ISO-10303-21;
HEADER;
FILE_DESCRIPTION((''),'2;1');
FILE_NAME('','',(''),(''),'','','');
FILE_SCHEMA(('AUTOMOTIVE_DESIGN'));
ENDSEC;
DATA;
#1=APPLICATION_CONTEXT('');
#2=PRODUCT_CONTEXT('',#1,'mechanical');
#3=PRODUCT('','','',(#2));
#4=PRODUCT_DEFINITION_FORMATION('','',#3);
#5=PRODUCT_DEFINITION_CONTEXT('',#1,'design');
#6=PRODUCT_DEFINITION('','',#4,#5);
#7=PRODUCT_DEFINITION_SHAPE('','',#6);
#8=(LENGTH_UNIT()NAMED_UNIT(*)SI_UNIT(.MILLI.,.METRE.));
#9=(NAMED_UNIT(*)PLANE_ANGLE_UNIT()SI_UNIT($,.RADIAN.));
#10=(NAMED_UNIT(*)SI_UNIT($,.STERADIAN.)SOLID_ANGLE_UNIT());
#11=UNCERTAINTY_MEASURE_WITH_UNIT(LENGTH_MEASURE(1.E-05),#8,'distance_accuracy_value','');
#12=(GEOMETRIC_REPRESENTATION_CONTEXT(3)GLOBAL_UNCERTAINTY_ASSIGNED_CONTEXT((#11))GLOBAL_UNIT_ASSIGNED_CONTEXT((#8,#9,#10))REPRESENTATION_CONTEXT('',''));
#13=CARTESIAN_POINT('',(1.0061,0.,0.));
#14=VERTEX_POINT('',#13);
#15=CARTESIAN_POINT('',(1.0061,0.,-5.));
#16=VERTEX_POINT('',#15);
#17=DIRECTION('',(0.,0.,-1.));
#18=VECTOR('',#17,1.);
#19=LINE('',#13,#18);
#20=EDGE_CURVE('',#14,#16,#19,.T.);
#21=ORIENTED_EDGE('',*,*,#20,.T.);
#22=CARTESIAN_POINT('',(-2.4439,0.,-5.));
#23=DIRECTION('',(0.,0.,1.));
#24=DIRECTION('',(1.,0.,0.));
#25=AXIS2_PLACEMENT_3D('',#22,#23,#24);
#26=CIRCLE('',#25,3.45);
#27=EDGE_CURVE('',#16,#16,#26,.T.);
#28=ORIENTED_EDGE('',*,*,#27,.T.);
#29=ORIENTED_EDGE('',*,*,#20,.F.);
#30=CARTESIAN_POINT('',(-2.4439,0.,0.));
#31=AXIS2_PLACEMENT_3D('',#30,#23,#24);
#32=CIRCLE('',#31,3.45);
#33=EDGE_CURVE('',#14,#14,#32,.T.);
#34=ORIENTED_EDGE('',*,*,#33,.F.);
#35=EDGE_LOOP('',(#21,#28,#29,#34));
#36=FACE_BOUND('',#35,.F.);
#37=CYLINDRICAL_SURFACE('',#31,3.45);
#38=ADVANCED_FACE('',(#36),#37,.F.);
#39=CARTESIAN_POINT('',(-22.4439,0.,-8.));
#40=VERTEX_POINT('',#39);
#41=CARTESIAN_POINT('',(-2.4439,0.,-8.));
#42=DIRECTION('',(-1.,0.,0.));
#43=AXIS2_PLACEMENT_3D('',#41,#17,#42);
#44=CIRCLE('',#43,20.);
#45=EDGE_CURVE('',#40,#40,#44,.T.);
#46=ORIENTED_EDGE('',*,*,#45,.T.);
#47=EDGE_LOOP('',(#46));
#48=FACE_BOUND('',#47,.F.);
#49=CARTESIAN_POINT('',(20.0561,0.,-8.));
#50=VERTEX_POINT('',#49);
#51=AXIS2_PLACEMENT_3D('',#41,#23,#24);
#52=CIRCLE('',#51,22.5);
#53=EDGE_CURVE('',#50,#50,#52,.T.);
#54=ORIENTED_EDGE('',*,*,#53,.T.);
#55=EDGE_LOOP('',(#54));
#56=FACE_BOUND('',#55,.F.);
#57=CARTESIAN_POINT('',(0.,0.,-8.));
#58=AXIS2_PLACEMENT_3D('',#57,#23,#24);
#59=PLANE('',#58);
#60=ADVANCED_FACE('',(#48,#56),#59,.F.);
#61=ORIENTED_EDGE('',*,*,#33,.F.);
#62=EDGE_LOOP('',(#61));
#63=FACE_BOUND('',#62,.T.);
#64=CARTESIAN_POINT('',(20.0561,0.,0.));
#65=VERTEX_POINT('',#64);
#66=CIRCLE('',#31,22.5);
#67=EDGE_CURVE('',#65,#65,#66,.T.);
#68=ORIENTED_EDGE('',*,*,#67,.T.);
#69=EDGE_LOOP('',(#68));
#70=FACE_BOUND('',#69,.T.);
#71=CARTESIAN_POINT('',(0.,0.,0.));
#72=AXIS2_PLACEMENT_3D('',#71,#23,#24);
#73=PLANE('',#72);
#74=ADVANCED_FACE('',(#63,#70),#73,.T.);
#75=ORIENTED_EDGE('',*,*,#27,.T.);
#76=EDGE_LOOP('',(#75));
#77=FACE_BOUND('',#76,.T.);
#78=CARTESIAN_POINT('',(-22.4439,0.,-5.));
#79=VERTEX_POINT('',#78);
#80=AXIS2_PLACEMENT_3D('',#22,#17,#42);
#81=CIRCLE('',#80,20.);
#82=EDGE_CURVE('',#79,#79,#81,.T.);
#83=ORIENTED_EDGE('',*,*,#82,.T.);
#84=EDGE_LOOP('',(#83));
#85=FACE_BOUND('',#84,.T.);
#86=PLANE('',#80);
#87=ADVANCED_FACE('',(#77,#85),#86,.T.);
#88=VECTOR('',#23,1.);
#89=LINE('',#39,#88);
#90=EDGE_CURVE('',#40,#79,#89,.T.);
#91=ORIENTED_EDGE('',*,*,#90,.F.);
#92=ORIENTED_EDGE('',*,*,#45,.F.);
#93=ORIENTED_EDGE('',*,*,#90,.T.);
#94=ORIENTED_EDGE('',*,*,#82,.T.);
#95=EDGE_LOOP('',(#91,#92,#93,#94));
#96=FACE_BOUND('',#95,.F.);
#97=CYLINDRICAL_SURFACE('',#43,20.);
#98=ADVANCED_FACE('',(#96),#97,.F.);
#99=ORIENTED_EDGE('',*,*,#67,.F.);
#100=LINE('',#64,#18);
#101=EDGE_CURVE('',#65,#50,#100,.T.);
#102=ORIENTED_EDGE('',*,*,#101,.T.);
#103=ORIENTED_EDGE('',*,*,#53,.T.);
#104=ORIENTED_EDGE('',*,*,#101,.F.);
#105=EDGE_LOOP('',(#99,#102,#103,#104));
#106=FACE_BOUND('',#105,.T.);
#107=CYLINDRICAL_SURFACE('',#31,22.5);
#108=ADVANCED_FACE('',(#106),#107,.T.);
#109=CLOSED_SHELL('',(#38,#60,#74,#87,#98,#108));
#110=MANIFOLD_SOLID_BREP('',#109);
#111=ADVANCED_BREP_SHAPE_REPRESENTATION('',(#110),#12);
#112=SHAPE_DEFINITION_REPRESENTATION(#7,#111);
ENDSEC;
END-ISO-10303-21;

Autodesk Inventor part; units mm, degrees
ref_plane "YZ Plane" through (0, 0, 0) normal (1, 0, 0) x (0, 1, 0)
ref_plane "XZ Plane" through (0, 0, 0) normal (0, 1, 0) x (-1, 0, 0)
ref_plane "XY Plane" through (0, 0, 0) normal (0, 0, 1) x (1, 0, 0)
ref_plane "Arbeitsebene1" through (0, 0, 0) normal (0, 0, 1) x (1, 0, 0)
sketch "Skizze1" plane through (0, 0, 0) normal (0, 0, 1) x (1, 0, 0)
  spline S0 degree 3 poles (-17.6341, -17.1367) (-21.1223, -14.0447) (-23.6303, -9.8629) (-24.7151, -5.3296) (-25.803, -0.7834) (-25.4545, 4.0955) (-23.7315, 8.441) (-22.4146, 11.7621) (-20.3077, 14.7669) (-17.6341, 17.1367) knots 5.437647 5.437647 5.437647 5.437647 6.048298 6.048298 6.048298 6.66069 6.66069 6.66069 7.128724 7.128724 7.128724 7.128724 projected
  arc A0 (16.0826, -13.4603) -> (16.0826, 13.4603) centre (-2.4439, 0) ccw projected
  circle A1 centre (-2.4439, 0) radius 22.5
  circle A2 centre (-2.4439, 0) radius 3.45
  point P0 (0, 0)
  dimension "d0" = 45
  dimension "d1" = 6.9
extrude "Extrusion1" add sketch "Skizze1" against normal blind 8
ref_plane "Arbeitsebene2" through (-41.5374, 0, -15.8898) normal (0, -1, 0) x (1, 0, 0)
sketch "Skizze3" plane through (-2.4439, 0, -8) normal (0, 0, -1) x (-1, 0, 0)
  circle A0 centre (0, 0) radius 3.45 projected
  circle A1 centre (0, 0) radius 20
  point P0 (-2.4439, 0)
  dimension "d20" = 40
extrude "Extrusion2" cut sketch "Skizze3" against normal blind 3 contours A0 | A1
thread "Gewinde1" size "M45x1" class "6g" standard "ANSI Metric M Profile" full length
properties part number "ESP32ParasiteMicroscope_focusknob_v0"
